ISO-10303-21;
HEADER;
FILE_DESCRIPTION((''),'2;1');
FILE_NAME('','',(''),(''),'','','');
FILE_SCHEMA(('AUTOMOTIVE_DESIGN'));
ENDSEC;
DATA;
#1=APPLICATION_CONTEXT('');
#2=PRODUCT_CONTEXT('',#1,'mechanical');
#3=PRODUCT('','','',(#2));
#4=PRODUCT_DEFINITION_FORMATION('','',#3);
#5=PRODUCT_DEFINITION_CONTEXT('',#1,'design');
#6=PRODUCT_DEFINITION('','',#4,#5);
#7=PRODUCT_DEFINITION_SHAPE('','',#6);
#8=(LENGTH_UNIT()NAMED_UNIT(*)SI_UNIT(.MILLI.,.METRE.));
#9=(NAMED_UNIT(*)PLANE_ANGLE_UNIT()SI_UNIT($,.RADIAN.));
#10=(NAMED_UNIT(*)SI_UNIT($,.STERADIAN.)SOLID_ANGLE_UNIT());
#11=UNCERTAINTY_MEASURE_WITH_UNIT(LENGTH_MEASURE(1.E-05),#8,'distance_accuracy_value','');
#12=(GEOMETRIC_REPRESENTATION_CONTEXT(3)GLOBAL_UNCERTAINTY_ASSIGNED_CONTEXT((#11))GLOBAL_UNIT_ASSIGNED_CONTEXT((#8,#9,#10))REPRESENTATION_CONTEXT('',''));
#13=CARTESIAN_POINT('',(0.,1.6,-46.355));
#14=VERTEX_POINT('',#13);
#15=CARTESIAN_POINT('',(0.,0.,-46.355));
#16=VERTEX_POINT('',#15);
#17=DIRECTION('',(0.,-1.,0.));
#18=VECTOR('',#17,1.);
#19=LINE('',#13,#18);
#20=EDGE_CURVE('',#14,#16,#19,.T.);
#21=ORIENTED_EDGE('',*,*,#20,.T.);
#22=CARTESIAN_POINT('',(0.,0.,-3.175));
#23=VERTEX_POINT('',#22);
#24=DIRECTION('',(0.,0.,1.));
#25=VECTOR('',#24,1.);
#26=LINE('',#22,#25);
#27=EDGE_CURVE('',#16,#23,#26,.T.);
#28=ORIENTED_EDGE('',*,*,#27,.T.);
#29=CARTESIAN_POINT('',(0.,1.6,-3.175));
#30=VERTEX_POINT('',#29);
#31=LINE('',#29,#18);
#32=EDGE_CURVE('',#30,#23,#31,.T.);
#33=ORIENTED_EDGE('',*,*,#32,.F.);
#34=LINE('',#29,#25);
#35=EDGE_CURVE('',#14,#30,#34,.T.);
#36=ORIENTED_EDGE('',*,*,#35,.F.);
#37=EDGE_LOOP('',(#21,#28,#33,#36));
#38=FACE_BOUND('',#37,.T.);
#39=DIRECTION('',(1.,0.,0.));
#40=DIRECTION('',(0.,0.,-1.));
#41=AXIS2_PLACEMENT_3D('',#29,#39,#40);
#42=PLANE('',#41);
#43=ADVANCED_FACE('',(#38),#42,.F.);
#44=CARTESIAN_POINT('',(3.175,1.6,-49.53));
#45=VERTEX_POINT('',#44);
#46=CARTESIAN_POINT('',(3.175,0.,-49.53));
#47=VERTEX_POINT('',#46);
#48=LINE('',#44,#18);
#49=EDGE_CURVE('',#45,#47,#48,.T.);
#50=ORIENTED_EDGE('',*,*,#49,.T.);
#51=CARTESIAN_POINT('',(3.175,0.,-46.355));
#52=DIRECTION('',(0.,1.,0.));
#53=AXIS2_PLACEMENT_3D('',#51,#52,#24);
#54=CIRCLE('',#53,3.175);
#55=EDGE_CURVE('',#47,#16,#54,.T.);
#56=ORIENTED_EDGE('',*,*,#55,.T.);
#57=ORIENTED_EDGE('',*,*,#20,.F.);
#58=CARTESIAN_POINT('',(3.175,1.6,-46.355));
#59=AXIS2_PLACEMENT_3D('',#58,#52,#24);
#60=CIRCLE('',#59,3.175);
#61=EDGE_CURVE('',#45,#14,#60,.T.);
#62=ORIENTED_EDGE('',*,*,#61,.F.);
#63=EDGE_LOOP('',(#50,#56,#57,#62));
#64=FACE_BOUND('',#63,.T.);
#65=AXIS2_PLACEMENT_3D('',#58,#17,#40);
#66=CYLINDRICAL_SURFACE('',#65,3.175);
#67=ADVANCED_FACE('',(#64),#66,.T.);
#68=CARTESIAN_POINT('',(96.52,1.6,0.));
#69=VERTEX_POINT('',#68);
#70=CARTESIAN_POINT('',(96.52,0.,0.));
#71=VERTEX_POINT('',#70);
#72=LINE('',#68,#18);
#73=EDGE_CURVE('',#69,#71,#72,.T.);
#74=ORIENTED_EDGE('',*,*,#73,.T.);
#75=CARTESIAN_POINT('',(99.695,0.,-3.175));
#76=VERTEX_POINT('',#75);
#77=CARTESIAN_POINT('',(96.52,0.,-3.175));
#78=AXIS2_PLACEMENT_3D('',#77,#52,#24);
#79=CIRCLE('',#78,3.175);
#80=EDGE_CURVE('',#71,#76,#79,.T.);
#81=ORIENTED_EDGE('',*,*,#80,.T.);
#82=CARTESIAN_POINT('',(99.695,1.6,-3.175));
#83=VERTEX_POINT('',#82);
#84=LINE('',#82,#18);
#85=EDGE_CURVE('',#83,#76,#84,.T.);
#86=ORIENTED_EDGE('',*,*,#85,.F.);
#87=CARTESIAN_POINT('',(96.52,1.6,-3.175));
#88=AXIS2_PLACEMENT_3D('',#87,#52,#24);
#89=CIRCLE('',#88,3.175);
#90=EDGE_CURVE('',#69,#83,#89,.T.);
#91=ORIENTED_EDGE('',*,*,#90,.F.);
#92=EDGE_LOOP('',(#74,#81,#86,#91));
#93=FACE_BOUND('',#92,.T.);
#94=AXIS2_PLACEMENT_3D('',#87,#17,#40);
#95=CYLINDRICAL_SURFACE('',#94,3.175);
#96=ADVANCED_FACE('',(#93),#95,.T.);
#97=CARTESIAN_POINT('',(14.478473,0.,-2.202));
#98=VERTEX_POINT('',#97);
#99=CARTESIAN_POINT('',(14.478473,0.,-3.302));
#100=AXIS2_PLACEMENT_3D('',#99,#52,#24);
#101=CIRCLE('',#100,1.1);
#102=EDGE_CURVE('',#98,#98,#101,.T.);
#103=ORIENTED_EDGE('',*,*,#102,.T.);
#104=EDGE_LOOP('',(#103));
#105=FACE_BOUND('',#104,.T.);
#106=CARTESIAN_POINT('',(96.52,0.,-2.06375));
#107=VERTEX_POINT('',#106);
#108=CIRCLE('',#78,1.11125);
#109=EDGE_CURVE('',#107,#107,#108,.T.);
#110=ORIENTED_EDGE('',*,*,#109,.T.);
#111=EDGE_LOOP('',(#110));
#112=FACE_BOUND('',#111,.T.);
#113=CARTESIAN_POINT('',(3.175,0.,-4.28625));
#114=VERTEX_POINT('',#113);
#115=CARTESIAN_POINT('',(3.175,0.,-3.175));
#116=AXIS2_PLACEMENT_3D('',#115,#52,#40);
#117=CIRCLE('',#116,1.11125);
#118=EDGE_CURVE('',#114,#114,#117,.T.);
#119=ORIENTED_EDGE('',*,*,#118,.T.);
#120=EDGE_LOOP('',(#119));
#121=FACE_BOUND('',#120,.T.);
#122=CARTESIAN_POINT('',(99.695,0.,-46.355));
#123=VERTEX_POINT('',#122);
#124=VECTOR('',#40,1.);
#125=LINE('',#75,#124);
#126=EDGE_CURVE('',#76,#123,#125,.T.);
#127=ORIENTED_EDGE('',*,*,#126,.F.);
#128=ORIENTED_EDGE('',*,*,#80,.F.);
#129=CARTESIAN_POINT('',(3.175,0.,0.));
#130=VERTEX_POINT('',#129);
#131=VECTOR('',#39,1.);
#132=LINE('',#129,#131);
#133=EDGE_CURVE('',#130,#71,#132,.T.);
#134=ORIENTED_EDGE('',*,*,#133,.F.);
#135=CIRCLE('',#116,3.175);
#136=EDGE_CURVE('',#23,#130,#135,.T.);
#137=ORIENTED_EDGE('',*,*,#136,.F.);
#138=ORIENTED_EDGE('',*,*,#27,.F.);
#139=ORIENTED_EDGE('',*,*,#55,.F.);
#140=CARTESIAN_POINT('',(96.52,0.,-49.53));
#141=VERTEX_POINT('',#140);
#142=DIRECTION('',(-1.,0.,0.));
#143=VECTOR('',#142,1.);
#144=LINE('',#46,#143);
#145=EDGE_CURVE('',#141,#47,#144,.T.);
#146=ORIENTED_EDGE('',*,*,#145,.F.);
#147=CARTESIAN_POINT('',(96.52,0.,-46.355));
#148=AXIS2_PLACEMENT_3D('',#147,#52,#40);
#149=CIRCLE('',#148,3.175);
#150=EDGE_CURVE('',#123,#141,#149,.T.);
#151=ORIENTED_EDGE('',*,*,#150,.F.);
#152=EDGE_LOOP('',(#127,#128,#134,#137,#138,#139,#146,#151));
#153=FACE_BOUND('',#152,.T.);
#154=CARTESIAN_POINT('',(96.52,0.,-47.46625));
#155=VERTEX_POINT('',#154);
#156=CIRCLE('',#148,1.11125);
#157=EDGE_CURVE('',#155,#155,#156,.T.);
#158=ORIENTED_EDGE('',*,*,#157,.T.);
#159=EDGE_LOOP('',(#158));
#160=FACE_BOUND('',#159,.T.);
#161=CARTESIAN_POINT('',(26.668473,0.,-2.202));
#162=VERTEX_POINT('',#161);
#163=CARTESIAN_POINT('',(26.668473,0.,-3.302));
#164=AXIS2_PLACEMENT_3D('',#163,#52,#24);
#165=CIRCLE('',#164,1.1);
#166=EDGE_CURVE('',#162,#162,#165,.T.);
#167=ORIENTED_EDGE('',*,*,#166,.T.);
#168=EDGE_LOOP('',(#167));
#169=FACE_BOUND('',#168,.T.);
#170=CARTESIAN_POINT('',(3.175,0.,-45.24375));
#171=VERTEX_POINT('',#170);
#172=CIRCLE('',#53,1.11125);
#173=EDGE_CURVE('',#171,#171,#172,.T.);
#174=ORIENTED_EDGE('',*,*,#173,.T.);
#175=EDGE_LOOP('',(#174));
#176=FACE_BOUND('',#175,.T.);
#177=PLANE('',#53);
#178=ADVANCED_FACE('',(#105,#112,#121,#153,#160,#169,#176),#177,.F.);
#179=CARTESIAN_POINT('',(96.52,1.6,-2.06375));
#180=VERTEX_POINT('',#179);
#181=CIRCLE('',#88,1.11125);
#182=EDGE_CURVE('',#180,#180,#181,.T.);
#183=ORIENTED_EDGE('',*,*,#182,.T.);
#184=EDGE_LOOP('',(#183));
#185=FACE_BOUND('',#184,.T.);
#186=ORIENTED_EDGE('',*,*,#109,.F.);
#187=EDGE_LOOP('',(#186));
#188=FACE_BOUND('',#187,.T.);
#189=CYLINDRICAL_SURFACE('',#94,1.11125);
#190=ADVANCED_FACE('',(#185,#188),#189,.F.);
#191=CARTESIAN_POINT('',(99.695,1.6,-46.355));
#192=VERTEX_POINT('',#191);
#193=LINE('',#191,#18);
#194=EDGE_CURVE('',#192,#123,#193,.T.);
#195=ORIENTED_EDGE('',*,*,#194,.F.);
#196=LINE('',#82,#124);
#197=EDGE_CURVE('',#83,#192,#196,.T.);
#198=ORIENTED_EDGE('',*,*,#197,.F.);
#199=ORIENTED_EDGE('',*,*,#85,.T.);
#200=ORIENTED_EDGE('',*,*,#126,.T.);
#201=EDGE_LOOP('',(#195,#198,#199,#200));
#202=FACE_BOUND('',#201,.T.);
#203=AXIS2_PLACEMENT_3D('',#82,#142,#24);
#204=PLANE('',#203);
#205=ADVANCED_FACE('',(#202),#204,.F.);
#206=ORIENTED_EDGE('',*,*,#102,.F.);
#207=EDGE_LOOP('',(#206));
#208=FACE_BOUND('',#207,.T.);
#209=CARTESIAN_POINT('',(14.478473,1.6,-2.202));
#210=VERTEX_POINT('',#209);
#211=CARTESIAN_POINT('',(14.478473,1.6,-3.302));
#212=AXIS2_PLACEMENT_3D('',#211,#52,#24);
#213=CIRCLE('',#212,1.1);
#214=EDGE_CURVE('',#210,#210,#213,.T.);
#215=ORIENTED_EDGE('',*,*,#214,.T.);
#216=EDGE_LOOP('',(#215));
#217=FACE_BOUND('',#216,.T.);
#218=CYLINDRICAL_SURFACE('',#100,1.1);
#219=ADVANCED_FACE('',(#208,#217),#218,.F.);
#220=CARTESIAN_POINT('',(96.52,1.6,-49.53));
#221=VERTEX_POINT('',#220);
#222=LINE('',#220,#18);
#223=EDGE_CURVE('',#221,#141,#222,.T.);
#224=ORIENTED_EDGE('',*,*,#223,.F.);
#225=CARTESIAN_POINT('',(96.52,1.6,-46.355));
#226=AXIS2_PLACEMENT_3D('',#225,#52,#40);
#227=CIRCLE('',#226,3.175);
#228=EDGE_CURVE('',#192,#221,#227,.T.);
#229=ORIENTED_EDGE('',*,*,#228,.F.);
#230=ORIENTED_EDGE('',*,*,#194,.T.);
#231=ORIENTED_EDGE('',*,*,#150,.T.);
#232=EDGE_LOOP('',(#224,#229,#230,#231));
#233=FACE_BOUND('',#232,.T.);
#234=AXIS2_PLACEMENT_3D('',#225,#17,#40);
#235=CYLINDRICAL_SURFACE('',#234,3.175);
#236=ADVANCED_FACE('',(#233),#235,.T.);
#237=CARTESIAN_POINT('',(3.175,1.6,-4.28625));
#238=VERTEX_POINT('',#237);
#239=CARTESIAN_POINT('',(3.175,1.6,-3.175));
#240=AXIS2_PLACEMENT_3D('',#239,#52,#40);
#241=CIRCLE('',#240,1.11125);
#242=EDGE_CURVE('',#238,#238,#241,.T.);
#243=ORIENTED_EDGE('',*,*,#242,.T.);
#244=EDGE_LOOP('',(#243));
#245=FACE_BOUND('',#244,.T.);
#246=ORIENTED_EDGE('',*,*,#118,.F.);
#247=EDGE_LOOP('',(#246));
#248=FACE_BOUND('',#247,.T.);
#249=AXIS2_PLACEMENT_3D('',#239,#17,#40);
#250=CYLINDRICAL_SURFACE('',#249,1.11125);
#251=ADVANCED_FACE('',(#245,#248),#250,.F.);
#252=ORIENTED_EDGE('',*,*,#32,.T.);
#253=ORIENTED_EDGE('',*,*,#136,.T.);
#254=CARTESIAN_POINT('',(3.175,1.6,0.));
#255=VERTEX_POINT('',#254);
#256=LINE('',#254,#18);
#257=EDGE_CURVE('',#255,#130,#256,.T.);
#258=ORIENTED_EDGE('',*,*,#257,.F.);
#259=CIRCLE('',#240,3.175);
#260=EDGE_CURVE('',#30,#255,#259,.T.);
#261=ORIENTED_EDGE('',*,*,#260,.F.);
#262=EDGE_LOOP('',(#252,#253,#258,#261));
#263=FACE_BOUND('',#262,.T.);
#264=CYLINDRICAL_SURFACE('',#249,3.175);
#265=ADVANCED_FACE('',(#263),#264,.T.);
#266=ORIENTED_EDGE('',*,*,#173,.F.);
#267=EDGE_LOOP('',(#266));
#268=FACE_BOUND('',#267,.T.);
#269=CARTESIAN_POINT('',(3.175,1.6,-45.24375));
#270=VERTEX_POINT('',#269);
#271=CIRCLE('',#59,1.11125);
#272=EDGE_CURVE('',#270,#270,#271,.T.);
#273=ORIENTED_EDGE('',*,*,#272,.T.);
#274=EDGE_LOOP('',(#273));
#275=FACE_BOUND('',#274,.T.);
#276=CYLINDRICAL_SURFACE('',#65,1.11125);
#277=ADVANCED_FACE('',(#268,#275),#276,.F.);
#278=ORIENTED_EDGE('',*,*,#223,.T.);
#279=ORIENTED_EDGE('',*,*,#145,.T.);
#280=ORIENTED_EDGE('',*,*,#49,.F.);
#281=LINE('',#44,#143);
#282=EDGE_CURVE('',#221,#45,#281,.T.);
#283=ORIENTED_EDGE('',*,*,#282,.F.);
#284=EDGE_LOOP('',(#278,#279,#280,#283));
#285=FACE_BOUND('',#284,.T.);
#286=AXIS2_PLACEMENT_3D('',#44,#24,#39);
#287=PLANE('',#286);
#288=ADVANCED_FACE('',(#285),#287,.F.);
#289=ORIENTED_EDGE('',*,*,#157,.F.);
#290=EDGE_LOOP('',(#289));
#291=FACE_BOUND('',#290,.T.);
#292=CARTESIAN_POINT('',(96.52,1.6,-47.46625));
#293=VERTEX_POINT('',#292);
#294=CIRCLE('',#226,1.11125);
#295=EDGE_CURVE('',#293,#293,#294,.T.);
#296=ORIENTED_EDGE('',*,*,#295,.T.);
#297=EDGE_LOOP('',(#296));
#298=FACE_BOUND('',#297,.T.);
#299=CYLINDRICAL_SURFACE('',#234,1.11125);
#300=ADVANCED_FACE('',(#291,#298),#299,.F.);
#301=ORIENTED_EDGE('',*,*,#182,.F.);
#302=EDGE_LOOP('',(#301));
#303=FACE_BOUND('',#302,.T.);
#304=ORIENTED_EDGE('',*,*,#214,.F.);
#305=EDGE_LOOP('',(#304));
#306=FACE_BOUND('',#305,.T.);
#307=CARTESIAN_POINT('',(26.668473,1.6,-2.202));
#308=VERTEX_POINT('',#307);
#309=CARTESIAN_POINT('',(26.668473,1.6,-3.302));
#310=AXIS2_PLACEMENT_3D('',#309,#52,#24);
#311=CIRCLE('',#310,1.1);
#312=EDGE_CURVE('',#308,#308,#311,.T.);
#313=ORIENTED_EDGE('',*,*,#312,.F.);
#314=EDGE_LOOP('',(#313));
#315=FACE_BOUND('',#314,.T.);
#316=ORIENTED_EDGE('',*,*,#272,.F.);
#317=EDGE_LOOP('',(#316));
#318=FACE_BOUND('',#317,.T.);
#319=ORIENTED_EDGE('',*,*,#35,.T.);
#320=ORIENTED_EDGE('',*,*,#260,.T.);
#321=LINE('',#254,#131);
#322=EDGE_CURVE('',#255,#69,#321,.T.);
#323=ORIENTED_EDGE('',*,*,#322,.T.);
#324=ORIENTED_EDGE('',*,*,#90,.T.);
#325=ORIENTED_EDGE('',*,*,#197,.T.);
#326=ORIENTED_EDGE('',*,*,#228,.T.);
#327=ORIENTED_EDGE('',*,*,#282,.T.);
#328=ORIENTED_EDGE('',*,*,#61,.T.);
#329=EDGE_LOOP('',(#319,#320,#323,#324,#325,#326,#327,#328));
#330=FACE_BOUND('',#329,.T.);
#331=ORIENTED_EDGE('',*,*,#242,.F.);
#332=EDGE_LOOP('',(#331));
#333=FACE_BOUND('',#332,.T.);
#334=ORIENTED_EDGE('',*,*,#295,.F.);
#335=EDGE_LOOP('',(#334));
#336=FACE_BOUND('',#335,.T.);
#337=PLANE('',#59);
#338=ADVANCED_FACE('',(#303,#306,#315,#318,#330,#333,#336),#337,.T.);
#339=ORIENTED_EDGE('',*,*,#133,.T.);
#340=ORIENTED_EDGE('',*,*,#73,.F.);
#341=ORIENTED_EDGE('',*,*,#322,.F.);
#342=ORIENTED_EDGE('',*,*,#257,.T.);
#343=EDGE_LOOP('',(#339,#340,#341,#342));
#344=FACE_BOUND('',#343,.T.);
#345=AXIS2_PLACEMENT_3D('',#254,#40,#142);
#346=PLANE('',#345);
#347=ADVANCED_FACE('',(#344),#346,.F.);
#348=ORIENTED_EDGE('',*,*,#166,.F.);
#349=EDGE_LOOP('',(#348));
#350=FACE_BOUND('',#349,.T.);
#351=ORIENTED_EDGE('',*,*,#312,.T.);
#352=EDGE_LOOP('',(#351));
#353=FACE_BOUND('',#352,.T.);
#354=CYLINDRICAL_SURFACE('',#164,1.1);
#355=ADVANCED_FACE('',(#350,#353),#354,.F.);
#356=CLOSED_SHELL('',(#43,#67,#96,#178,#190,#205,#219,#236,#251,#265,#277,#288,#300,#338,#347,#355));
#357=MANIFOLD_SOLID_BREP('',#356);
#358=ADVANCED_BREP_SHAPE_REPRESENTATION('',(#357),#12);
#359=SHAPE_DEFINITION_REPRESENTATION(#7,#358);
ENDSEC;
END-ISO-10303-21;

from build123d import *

# Parameters (mm, degrees)
SKETCH1_R           = 1.11125
BOSS_EXTRUDE1_DEPTH = 1.6
SKETCH2_R           = 1.1
CUT_EXTRUDE1_DEPTH  = 112.332268121


with BuildPart() as part:
    # Sketch1 → Boss-Extrude1 (new body)
    with BuildSketch(Plane(origin=(0, 0, 0), x_dir=(1, 0, 0), z_dir=(0, 1, 0))):
        with BuildLine():
            Line((3.175, 0), (96.52, 0))
            ThreePointArc((96.52, 0), (98.76506403, 0.92993597), (99.695, 3.175))
            Line((99.695, 3.175), (99.695, 46.355))
            ThreePointArc((99.695, 46.355), (98.76506403, 48.60006403), (96.52, 49.53))
            Line((96.52, 49.53), (3.175, 49.53))
            ThreePointArc((3.175, 49.53), (0.92993597, 48.60006403), (0, 46.355))
            Line((0, 46.355), (0, 3.175))
            ThreePointArc((0, 3.175), (0.92993597, 0.92993597), (3.175, 0))
        make_face()
        with Locations(Location((3.175, 46.355, 0), (0, 0, 270))):
            Circle(SKETCH1_R, mode=Mode.SUBTRACT)
        with Locations(Location((96.52, 46.355, 0), (0, 0, 90))):
            Circle(SKETCH1_R, mode=Mode.SUBTRACT)
        with Locations(Location((96.52, 3.175, 0), (0, 0, 270))):
            Circle(SKETCH1_R, mode=Mode.SUBTRACT)
        with Locations(Location((3.175, 3.175, 0), (0, 0, 90))):
            Circle(SKETCH1_R, mode=Mode.SUBTRACT)
    extrude(amount=BOSS_EXTRUDE1_DEPTH)

    # Sketch2 → Cut-Extrude1 (cut, through all)
    with BuildSketch(Plane(origin=(0, 1.6, 0), x_dir=(1, 0, 0), z_dir=(0, 1, 0))):
        with Locations(Location((14.478473279, 3.302, 0), (0, 0, 270))):
            Circle(SKETCH2_R)
        with Locations(Location((26.668473279, 3.302, 0), (0, 0, 270))):
            Circle(SKETCH2_R)
    extrude(amount=-CUT_EXTRUDE1_DEPTH, mode=Mode.SUBTRACT)


solid = part.part
